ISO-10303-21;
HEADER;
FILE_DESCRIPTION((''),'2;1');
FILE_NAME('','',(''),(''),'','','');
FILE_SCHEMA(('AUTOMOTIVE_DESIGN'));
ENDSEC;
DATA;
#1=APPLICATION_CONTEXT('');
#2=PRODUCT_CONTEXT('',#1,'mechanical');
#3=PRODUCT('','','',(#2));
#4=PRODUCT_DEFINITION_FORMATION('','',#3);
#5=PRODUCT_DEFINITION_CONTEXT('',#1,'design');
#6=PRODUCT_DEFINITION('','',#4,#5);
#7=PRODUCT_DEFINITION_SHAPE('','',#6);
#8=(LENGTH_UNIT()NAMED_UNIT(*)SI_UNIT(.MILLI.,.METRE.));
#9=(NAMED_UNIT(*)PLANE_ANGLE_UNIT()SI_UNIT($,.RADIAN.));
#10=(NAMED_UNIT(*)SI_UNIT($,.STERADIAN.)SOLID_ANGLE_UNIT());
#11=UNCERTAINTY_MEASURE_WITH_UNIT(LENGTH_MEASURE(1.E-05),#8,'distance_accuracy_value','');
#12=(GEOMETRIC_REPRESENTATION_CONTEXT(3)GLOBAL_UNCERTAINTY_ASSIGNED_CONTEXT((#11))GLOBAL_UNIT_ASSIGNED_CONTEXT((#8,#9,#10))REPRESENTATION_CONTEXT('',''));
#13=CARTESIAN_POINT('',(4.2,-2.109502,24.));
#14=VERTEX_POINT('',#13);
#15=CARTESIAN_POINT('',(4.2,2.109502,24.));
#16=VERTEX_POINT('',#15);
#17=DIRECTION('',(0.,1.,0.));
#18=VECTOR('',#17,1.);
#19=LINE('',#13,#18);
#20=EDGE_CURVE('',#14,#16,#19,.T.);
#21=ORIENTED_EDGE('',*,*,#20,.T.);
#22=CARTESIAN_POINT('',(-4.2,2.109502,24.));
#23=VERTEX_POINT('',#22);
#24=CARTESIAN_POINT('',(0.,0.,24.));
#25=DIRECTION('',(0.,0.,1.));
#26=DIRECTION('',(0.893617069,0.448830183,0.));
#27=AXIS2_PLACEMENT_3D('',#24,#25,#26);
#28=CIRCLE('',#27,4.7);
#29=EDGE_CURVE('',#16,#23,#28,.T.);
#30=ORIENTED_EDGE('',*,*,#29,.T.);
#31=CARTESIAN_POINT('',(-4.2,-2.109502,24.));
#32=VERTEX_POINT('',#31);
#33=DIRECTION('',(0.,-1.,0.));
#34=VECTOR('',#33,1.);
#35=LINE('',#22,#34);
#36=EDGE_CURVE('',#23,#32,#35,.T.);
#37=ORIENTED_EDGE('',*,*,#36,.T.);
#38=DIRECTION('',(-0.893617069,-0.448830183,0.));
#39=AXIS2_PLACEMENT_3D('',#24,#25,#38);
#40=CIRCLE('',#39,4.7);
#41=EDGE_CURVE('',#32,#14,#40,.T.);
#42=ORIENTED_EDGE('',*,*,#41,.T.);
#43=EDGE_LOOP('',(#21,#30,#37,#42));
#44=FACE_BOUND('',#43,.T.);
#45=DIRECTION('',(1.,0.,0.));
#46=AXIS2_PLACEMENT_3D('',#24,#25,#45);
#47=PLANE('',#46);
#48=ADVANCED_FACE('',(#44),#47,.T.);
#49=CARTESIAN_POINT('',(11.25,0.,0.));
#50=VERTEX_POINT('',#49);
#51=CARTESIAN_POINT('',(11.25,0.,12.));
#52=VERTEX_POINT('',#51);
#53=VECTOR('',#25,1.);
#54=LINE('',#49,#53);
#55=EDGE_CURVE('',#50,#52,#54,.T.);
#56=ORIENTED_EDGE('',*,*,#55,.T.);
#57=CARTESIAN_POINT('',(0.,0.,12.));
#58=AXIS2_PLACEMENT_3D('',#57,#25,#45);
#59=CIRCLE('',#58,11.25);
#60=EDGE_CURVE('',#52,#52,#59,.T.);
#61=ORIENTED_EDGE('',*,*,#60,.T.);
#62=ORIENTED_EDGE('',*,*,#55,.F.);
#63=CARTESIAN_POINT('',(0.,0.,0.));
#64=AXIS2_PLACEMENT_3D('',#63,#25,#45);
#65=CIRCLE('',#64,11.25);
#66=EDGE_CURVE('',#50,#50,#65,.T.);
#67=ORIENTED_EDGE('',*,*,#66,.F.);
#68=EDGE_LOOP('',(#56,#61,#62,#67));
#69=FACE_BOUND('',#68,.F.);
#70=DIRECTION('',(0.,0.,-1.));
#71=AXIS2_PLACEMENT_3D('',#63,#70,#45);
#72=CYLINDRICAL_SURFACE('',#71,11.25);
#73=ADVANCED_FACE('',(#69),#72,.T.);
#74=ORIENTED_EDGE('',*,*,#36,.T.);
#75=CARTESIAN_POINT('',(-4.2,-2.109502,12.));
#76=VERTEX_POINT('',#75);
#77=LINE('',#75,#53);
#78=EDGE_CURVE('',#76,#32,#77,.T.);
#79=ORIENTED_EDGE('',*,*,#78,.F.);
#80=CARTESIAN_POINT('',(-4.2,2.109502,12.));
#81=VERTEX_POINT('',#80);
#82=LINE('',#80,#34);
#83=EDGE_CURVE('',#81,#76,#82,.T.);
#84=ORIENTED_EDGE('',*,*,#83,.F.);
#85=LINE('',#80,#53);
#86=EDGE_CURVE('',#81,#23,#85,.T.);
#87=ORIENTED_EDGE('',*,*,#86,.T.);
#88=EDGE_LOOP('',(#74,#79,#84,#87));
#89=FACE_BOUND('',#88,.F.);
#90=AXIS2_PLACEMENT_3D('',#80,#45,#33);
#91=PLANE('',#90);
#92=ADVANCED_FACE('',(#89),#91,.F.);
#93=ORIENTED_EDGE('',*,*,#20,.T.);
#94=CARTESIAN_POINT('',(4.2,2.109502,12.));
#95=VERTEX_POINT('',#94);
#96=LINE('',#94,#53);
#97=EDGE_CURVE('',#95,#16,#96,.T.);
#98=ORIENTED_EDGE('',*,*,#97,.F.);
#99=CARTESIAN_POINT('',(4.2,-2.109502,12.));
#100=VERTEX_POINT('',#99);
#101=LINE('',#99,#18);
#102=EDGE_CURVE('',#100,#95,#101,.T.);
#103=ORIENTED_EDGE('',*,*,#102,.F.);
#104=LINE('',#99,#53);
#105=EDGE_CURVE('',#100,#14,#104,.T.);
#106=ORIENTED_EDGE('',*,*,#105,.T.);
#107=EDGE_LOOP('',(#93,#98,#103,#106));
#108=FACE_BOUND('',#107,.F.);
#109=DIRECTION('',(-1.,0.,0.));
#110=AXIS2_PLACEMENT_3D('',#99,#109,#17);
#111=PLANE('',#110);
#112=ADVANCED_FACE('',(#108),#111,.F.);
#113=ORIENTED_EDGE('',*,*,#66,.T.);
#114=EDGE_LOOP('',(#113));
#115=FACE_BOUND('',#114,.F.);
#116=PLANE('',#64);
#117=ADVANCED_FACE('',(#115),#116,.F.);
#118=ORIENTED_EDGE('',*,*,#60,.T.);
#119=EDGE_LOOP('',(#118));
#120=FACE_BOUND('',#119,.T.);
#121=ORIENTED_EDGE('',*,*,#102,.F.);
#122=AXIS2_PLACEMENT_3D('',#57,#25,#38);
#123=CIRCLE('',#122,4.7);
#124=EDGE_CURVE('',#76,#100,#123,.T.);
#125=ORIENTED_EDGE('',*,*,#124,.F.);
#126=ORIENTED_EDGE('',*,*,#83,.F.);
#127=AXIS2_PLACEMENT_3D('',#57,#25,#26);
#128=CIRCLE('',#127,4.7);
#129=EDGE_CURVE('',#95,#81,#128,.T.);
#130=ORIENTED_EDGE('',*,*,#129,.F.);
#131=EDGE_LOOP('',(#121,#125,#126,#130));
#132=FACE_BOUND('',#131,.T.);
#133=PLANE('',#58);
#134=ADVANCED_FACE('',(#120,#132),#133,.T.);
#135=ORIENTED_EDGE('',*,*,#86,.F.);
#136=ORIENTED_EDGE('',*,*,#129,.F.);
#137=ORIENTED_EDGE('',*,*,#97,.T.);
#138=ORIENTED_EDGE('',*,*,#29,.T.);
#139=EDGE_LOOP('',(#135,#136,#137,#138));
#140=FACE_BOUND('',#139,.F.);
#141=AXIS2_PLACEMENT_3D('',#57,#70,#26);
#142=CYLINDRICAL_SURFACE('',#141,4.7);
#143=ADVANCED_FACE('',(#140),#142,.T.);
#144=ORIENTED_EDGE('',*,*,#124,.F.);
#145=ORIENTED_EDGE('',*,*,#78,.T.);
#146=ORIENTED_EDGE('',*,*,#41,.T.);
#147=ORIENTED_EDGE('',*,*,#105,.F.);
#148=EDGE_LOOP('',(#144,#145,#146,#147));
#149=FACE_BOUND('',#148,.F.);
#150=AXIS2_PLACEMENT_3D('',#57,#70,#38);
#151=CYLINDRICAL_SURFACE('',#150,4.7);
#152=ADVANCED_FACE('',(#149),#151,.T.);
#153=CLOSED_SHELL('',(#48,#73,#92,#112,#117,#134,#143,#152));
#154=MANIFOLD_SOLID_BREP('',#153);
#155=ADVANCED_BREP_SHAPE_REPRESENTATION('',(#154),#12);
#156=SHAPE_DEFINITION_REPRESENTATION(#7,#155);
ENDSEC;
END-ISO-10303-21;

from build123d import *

# Parameters (mm, degrees)
F0_R     = 11.25
F1_DEPTH = 12
F3_DEPTH = 12


with BuildPart() as f1:
    # F0 (on Top) → F1 (new body)
    with BuildSketch(Plane.XY):
        Circle(F0_R)
    extrude(amount=F1_DEPTH)

    # F2 (on face) → F3 (join)
    with BuildSketch(Plane.XY.offset(12)):
        with BuildLine():
            Line((4.2, -2.109502), (4.2, 2.109502))
            ThreePointArc((4.2, 2.109502), (0, 4.7), (-4.2, 2.109502))
            Line((-4.2, 2.109502), (-4.2, -2.109502))
            ThreePointArc((-4.2, -2.109502), (0, -4.7), (4.2, -2.109502))
        make_face()
    extrude(amount=F3_DEPTH)


solid = f1.part
